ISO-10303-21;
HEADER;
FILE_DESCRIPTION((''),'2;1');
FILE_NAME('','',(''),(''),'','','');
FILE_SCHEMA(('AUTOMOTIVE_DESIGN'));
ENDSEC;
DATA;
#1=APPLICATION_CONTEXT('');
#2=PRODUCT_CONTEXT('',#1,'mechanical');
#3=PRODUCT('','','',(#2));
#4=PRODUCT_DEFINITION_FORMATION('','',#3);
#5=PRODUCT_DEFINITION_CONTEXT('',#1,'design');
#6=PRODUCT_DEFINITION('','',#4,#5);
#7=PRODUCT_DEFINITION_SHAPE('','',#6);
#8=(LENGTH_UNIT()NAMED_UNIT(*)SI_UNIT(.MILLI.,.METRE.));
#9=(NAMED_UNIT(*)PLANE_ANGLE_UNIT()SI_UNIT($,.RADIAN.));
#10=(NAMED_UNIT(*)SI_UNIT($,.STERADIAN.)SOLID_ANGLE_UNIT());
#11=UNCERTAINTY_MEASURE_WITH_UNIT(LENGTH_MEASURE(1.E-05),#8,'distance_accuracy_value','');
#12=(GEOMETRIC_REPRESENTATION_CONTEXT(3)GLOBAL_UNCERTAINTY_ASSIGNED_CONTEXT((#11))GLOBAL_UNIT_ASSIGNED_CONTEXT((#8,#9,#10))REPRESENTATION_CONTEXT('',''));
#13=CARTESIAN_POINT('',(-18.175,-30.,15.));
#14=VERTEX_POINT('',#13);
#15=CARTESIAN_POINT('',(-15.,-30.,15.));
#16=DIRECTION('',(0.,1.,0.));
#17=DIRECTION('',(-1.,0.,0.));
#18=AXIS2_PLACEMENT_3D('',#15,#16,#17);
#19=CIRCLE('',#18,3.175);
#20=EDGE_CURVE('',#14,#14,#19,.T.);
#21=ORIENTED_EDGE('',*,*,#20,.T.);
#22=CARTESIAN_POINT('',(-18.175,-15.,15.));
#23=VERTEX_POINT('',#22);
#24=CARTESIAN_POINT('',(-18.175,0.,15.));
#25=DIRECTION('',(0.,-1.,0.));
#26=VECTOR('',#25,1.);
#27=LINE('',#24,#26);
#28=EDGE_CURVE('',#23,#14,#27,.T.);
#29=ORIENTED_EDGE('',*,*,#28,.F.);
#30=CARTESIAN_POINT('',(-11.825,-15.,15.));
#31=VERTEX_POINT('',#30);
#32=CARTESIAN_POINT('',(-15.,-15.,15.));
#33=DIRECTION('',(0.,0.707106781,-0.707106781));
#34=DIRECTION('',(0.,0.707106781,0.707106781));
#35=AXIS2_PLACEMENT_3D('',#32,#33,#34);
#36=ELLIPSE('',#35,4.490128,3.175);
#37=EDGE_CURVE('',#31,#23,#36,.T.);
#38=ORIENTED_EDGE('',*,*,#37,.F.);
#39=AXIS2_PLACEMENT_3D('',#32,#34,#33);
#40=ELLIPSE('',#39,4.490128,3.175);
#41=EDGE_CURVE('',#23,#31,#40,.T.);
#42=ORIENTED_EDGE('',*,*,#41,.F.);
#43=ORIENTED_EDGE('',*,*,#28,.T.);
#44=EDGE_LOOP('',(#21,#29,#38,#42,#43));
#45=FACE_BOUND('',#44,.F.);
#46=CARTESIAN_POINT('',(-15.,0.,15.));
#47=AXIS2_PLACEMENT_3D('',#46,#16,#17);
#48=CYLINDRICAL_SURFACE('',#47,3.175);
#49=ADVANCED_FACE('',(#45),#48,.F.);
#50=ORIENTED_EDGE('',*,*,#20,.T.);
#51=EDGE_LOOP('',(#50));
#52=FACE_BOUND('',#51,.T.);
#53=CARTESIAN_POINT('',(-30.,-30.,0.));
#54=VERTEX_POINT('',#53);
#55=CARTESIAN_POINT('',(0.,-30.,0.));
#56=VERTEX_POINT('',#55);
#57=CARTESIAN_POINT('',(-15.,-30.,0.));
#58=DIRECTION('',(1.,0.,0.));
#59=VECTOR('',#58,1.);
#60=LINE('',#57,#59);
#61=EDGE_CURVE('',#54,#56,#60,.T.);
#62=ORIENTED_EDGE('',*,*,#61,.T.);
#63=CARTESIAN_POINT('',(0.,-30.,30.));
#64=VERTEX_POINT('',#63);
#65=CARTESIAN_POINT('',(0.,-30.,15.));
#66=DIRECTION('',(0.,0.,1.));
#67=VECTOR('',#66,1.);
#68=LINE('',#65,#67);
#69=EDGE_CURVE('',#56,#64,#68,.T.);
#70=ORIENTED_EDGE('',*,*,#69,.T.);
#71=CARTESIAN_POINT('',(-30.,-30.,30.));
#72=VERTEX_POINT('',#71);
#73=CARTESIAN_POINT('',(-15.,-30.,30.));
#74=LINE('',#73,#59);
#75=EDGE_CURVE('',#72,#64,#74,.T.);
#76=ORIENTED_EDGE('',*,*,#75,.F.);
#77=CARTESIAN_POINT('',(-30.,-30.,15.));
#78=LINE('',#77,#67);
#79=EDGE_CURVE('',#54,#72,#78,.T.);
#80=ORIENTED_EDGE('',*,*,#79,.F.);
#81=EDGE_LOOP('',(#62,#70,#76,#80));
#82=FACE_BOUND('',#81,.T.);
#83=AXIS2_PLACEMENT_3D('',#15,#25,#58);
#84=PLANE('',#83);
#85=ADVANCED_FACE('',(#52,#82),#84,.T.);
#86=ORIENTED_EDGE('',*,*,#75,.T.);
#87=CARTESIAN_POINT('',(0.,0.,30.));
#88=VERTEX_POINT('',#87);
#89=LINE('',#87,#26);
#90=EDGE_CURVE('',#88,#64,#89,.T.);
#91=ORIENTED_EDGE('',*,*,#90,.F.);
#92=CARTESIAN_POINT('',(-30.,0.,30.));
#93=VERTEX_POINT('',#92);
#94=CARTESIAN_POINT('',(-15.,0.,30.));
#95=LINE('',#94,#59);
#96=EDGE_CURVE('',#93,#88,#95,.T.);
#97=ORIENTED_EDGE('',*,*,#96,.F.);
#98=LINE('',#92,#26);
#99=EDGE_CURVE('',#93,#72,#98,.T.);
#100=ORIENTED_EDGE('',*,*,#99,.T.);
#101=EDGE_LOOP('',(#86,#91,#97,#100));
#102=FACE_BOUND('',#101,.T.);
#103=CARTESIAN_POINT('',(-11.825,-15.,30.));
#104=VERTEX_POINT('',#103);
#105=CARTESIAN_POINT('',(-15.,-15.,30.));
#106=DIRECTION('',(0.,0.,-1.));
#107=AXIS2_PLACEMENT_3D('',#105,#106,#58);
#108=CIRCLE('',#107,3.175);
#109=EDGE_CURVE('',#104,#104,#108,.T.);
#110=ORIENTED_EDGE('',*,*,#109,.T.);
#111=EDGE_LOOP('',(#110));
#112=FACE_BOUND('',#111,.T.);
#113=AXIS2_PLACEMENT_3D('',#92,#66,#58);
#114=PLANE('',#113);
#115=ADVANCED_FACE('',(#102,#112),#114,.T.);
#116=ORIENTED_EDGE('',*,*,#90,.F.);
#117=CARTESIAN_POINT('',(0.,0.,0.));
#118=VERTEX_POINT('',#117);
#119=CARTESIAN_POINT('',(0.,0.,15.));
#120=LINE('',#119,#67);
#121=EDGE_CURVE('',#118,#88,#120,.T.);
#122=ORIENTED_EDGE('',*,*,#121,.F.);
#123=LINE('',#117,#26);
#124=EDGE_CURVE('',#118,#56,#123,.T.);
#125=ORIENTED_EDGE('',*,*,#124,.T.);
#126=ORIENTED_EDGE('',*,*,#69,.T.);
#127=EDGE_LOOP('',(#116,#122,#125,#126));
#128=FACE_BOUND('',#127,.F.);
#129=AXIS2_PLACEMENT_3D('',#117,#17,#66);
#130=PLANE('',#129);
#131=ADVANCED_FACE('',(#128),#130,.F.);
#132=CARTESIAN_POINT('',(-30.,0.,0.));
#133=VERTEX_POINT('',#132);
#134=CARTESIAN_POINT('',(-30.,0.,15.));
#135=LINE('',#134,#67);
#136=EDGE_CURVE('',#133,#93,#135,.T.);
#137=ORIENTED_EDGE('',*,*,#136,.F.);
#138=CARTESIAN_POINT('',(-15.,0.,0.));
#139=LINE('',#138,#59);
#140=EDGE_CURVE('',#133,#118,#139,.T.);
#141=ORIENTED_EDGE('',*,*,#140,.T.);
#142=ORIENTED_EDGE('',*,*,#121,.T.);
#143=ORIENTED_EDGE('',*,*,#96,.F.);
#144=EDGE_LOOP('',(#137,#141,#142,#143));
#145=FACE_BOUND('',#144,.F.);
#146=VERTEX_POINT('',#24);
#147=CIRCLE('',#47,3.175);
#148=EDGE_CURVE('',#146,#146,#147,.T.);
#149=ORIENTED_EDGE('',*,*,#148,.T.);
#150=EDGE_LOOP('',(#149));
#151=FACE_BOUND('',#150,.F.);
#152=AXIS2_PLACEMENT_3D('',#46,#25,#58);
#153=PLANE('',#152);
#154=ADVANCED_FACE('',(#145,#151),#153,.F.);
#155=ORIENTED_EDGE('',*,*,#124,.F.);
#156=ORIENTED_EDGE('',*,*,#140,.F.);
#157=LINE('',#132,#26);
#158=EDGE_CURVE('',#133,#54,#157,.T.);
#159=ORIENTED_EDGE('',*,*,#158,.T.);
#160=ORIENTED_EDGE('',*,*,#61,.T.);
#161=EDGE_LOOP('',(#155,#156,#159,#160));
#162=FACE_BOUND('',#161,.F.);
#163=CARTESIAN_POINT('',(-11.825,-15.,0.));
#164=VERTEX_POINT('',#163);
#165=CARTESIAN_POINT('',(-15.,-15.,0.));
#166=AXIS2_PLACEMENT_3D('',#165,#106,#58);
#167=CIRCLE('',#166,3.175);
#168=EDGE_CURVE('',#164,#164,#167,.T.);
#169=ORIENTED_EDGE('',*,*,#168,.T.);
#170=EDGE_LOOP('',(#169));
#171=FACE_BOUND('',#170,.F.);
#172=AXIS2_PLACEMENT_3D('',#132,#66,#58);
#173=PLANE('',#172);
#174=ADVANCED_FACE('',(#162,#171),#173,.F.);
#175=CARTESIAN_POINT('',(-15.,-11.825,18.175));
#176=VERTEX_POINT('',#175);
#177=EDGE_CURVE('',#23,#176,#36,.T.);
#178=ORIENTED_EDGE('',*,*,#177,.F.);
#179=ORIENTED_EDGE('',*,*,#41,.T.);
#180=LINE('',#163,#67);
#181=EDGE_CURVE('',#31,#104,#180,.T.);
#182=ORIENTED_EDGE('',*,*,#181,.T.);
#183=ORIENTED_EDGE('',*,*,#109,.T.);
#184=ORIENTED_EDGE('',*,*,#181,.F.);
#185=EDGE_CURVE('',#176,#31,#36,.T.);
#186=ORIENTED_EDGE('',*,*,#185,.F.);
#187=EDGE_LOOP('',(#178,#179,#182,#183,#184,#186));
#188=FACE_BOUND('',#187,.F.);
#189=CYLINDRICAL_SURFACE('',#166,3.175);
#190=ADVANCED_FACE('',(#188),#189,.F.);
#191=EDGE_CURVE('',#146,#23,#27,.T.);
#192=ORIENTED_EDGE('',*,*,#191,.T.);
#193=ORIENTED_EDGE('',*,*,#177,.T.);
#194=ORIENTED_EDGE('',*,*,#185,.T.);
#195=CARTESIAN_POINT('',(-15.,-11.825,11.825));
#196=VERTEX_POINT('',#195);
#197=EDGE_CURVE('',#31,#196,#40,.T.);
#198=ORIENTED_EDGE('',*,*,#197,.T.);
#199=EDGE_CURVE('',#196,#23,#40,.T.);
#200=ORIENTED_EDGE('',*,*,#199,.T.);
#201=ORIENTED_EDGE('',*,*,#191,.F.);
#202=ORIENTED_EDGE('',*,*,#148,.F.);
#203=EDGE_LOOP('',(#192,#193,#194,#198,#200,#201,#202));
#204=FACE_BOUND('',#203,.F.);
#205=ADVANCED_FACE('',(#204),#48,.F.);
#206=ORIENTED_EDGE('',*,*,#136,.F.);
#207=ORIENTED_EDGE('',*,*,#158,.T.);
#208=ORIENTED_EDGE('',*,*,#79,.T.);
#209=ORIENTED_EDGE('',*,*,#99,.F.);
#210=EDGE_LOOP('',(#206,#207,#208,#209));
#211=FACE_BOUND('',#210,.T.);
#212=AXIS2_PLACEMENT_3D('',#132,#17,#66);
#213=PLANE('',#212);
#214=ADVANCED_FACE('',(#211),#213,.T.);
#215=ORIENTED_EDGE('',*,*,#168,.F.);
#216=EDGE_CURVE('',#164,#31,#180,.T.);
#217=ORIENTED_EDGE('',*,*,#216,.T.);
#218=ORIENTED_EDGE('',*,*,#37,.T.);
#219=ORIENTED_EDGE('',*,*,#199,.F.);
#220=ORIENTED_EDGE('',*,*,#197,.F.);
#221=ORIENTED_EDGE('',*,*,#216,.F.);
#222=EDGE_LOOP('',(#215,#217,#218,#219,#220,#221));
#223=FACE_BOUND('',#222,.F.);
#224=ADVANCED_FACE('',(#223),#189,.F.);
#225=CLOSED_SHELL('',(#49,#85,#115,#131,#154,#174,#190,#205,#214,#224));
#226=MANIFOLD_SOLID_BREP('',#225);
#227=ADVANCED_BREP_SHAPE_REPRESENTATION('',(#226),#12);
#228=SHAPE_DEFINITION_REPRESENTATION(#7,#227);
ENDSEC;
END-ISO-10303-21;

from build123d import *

# Parameters (mm, degrees)
F0_W     = 30
F0_H     = 30
F1_DEPTH = 30
F2_R     = 3.175
F3_DEPTH = 30.001
F4_R     = 3.175
F5_DEPTH = 30.001


with BuildPart() as f1:
    # F0 (on Front) → F1 (new body)
    with BuildSketch(Plane.XZ):
        with Locations((-15, 15)):
            Rectangle(F0_W, F0_H)
    extrude(amount=F1_DEPTH)

    # F2 (on face) → F3 (cut, through all)
    with BuildSketch(Plane(origin=(0, 0, 0), x_dir=(-1, 0, 0), z_dir=(0, 1, 0))):
        with Locations((15, 15)):
            Circle(F2_R)
    extrude(amount=-F3_DEPTH, mode=Mode.SUBTRACT)

    # F4 (on face) → F5 (cut, through all)
    with BuildSketch(Plane(origin=(0, 0, 0), x_dir=(1, 0, 0), z_dir=(0, 0, -1))):
        with Locations((-15, 15)):
            Circle(F4_R)
    extrude(amount=-F5_DEPTH, mode=Mode.SUBTRACT)


solid = f1.part
